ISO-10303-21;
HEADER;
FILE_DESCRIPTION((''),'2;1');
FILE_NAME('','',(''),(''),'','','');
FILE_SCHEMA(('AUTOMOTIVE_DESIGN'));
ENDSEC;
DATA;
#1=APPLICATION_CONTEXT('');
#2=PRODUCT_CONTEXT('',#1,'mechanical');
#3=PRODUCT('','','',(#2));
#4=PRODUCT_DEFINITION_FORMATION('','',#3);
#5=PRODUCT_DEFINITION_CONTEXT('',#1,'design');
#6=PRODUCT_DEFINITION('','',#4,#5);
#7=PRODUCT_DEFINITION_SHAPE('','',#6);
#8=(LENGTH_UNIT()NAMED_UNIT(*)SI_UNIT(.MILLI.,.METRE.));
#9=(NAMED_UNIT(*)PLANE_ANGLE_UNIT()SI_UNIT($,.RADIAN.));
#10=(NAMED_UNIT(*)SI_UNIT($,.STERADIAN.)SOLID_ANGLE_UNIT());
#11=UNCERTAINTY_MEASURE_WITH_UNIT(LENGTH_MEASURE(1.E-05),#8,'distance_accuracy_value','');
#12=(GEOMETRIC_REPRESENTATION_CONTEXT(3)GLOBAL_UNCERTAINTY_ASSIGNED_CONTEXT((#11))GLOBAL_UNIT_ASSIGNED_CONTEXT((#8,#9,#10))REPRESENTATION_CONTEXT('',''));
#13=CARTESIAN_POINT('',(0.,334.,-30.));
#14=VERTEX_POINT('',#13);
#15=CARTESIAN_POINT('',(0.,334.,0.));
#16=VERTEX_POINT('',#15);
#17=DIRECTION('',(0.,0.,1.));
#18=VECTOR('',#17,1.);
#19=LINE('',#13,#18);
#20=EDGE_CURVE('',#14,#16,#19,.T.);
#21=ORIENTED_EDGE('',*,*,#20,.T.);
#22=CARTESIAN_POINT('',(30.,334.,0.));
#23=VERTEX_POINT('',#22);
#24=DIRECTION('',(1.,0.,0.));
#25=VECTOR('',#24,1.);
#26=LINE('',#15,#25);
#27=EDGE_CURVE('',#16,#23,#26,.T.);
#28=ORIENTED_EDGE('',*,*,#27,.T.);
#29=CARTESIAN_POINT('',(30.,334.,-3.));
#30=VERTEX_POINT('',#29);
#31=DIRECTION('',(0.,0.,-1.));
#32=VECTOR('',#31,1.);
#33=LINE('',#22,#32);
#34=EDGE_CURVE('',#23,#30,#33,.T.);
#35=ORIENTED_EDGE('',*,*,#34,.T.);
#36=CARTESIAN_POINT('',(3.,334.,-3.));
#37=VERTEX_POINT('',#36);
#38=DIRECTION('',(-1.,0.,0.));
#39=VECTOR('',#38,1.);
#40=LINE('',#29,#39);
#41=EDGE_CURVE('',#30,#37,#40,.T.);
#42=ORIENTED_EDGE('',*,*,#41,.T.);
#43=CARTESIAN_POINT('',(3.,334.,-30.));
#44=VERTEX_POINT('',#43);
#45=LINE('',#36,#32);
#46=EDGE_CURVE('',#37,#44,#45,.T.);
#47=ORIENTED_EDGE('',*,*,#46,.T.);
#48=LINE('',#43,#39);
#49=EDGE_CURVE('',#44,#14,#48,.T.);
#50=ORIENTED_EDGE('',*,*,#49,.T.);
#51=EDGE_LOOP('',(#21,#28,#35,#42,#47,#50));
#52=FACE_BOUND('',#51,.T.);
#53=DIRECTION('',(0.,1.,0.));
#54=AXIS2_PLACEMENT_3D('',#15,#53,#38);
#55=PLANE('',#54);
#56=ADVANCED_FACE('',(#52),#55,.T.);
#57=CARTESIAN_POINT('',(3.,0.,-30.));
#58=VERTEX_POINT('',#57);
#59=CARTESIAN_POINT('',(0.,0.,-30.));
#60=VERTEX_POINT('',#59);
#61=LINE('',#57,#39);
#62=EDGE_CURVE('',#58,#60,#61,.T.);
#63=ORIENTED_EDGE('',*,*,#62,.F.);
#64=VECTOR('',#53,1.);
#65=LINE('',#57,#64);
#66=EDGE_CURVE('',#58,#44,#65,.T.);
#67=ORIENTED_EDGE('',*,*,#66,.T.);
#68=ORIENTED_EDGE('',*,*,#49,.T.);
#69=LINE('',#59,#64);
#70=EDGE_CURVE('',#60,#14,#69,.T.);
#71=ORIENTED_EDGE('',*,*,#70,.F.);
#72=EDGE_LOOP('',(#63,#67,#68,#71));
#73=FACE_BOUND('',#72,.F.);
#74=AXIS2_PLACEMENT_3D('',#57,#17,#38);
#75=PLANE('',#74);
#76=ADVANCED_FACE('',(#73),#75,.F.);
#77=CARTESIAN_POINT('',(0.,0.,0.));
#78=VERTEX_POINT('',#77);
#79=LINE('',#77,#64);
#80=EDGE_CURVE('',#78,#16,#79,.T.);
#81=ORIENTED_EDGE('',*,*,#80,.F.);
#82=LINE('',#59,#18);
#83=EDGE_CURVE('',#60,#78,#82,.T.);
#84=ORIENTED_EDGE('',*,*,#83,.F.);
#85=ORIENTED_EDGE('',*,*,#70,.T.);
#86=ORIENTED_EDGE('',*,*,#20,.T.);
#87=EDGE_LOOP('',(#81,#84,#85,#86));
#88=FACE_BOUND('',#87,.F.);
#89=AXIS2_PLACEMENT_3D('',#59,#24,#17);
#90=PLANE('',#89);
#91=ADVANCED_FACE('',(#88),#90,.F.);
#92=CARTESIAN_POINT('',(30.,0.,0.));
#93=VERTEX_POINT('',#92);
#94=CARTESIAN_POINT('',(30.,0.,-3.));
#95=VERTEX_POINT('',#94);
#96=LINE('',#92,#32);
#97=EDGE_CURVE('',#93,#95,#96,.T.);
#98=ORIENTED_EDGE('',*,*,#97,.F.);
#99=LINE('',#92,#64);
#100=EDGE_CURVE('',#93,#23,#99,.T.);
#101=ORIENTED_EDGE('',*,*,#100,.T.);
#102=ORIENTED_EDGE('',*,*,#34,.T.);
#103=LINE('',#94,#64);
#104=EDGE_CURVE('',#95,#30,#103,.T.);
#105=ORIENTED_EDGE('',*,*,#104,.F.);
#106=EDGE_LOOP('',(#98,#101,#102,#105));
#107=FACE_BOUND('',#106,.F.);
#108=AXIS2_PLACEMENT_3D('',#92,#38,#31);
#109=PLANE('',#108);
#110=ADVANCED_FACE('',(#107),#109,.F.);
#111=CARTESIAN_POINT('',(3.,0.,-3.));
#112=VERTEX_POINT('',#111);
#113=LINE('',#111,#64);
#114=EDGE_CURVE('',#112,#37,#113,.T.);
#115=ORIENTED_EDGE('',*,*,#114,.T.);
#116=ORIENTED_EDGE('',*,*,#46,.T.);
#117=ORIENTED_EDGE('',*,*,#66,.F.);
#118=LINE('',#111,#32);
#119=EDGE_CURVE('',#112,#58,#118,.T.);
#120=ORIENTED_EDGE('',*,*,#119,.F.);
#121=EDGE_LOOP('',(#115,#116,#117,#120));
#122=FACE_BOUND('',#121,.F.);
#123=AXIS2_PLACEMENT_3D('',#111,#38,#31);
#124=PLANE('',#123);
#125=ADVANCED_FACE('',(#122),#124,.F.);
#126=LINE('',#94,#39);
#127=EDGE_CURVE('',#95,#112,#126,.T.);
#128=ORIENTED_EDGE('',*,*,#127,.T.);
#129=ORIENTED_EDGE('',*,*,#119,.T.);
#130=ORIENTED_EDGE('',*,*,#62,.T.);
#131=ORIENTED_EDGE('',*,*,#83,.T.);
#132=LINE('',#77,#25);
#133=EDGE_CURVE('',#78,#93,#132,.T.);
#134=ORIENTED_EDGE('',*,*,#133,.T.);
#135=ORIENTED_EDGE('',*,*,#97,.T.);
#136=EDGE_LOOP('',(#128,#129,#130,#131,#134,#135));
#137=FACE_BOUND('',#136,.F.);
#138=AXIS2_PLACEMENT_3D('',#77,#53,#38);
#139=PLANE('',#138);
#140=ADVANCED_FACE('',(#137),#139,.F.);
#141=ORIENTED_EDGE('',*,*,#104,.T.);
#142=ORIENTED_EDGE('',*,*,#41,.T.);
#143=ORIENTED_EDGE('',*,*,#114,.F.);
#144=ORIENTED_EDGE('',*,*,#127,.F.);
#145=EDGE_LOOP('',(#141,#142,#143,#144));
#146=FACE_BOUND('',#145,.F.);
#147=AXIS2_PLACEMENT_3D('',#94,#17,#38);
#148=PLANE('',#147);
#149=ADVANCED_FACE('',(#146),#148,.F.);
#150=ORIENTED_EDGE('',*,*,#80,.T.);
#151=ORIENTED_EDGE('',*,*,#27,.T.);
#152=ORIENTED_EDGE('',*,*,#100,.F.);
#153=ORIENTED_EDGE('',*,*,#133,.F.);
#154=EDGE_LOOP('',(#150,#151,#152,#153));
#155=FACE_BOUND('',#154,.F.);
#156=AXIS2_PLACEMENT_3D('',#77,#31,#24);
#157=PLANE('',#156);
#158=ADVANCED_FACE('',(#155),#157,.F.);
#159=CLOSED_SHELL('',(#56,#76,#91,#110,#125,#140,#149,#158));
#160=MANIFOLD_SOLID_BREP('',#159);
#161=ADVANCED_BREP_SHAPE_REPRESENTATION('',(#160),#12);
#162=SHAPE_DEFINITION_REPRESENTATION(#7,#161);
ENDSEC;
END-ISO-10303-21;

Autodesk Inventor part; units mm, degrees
ref_plane "YZ Plane" through (0, 0, 0) normal (1, 0, 0) x (0, 1, 0)
ref_plane "XZ Plane" through (0, 0, 0) normal (0, 1, 0) x (-1, 0, 0)
ref_plane "XY Plane" through (0, 0, 0) normal (0, 0, 1) x (1, 0, 0)
sketch "Skizze1" plane through (0, 0, 0) normal (0, 1, 0) x (-1, 0, 0)
  line L0 (0, 0) -> (-30, 0)
  line L1 (-30, 0) -> (-30, -3)
  line L2 (-30, -3) -> (-3, -3)
  line L3 (-3, -3) -> (-3, -30)
  line L4 (-3, -30) -> (0, -30)
  line L5 (0, -30) -> (0, 0)
  dimension "d0" = 3
  dimension "d1" = 3
  dimension "d2" = 30
  dimension "d3" = 30
extrude "Extrusion1" add sketch "Skizze1" along normal blind 334
equation "\"d1\" = d0"
equation "\"d3\" = d2"
properties part number "Schiene"
